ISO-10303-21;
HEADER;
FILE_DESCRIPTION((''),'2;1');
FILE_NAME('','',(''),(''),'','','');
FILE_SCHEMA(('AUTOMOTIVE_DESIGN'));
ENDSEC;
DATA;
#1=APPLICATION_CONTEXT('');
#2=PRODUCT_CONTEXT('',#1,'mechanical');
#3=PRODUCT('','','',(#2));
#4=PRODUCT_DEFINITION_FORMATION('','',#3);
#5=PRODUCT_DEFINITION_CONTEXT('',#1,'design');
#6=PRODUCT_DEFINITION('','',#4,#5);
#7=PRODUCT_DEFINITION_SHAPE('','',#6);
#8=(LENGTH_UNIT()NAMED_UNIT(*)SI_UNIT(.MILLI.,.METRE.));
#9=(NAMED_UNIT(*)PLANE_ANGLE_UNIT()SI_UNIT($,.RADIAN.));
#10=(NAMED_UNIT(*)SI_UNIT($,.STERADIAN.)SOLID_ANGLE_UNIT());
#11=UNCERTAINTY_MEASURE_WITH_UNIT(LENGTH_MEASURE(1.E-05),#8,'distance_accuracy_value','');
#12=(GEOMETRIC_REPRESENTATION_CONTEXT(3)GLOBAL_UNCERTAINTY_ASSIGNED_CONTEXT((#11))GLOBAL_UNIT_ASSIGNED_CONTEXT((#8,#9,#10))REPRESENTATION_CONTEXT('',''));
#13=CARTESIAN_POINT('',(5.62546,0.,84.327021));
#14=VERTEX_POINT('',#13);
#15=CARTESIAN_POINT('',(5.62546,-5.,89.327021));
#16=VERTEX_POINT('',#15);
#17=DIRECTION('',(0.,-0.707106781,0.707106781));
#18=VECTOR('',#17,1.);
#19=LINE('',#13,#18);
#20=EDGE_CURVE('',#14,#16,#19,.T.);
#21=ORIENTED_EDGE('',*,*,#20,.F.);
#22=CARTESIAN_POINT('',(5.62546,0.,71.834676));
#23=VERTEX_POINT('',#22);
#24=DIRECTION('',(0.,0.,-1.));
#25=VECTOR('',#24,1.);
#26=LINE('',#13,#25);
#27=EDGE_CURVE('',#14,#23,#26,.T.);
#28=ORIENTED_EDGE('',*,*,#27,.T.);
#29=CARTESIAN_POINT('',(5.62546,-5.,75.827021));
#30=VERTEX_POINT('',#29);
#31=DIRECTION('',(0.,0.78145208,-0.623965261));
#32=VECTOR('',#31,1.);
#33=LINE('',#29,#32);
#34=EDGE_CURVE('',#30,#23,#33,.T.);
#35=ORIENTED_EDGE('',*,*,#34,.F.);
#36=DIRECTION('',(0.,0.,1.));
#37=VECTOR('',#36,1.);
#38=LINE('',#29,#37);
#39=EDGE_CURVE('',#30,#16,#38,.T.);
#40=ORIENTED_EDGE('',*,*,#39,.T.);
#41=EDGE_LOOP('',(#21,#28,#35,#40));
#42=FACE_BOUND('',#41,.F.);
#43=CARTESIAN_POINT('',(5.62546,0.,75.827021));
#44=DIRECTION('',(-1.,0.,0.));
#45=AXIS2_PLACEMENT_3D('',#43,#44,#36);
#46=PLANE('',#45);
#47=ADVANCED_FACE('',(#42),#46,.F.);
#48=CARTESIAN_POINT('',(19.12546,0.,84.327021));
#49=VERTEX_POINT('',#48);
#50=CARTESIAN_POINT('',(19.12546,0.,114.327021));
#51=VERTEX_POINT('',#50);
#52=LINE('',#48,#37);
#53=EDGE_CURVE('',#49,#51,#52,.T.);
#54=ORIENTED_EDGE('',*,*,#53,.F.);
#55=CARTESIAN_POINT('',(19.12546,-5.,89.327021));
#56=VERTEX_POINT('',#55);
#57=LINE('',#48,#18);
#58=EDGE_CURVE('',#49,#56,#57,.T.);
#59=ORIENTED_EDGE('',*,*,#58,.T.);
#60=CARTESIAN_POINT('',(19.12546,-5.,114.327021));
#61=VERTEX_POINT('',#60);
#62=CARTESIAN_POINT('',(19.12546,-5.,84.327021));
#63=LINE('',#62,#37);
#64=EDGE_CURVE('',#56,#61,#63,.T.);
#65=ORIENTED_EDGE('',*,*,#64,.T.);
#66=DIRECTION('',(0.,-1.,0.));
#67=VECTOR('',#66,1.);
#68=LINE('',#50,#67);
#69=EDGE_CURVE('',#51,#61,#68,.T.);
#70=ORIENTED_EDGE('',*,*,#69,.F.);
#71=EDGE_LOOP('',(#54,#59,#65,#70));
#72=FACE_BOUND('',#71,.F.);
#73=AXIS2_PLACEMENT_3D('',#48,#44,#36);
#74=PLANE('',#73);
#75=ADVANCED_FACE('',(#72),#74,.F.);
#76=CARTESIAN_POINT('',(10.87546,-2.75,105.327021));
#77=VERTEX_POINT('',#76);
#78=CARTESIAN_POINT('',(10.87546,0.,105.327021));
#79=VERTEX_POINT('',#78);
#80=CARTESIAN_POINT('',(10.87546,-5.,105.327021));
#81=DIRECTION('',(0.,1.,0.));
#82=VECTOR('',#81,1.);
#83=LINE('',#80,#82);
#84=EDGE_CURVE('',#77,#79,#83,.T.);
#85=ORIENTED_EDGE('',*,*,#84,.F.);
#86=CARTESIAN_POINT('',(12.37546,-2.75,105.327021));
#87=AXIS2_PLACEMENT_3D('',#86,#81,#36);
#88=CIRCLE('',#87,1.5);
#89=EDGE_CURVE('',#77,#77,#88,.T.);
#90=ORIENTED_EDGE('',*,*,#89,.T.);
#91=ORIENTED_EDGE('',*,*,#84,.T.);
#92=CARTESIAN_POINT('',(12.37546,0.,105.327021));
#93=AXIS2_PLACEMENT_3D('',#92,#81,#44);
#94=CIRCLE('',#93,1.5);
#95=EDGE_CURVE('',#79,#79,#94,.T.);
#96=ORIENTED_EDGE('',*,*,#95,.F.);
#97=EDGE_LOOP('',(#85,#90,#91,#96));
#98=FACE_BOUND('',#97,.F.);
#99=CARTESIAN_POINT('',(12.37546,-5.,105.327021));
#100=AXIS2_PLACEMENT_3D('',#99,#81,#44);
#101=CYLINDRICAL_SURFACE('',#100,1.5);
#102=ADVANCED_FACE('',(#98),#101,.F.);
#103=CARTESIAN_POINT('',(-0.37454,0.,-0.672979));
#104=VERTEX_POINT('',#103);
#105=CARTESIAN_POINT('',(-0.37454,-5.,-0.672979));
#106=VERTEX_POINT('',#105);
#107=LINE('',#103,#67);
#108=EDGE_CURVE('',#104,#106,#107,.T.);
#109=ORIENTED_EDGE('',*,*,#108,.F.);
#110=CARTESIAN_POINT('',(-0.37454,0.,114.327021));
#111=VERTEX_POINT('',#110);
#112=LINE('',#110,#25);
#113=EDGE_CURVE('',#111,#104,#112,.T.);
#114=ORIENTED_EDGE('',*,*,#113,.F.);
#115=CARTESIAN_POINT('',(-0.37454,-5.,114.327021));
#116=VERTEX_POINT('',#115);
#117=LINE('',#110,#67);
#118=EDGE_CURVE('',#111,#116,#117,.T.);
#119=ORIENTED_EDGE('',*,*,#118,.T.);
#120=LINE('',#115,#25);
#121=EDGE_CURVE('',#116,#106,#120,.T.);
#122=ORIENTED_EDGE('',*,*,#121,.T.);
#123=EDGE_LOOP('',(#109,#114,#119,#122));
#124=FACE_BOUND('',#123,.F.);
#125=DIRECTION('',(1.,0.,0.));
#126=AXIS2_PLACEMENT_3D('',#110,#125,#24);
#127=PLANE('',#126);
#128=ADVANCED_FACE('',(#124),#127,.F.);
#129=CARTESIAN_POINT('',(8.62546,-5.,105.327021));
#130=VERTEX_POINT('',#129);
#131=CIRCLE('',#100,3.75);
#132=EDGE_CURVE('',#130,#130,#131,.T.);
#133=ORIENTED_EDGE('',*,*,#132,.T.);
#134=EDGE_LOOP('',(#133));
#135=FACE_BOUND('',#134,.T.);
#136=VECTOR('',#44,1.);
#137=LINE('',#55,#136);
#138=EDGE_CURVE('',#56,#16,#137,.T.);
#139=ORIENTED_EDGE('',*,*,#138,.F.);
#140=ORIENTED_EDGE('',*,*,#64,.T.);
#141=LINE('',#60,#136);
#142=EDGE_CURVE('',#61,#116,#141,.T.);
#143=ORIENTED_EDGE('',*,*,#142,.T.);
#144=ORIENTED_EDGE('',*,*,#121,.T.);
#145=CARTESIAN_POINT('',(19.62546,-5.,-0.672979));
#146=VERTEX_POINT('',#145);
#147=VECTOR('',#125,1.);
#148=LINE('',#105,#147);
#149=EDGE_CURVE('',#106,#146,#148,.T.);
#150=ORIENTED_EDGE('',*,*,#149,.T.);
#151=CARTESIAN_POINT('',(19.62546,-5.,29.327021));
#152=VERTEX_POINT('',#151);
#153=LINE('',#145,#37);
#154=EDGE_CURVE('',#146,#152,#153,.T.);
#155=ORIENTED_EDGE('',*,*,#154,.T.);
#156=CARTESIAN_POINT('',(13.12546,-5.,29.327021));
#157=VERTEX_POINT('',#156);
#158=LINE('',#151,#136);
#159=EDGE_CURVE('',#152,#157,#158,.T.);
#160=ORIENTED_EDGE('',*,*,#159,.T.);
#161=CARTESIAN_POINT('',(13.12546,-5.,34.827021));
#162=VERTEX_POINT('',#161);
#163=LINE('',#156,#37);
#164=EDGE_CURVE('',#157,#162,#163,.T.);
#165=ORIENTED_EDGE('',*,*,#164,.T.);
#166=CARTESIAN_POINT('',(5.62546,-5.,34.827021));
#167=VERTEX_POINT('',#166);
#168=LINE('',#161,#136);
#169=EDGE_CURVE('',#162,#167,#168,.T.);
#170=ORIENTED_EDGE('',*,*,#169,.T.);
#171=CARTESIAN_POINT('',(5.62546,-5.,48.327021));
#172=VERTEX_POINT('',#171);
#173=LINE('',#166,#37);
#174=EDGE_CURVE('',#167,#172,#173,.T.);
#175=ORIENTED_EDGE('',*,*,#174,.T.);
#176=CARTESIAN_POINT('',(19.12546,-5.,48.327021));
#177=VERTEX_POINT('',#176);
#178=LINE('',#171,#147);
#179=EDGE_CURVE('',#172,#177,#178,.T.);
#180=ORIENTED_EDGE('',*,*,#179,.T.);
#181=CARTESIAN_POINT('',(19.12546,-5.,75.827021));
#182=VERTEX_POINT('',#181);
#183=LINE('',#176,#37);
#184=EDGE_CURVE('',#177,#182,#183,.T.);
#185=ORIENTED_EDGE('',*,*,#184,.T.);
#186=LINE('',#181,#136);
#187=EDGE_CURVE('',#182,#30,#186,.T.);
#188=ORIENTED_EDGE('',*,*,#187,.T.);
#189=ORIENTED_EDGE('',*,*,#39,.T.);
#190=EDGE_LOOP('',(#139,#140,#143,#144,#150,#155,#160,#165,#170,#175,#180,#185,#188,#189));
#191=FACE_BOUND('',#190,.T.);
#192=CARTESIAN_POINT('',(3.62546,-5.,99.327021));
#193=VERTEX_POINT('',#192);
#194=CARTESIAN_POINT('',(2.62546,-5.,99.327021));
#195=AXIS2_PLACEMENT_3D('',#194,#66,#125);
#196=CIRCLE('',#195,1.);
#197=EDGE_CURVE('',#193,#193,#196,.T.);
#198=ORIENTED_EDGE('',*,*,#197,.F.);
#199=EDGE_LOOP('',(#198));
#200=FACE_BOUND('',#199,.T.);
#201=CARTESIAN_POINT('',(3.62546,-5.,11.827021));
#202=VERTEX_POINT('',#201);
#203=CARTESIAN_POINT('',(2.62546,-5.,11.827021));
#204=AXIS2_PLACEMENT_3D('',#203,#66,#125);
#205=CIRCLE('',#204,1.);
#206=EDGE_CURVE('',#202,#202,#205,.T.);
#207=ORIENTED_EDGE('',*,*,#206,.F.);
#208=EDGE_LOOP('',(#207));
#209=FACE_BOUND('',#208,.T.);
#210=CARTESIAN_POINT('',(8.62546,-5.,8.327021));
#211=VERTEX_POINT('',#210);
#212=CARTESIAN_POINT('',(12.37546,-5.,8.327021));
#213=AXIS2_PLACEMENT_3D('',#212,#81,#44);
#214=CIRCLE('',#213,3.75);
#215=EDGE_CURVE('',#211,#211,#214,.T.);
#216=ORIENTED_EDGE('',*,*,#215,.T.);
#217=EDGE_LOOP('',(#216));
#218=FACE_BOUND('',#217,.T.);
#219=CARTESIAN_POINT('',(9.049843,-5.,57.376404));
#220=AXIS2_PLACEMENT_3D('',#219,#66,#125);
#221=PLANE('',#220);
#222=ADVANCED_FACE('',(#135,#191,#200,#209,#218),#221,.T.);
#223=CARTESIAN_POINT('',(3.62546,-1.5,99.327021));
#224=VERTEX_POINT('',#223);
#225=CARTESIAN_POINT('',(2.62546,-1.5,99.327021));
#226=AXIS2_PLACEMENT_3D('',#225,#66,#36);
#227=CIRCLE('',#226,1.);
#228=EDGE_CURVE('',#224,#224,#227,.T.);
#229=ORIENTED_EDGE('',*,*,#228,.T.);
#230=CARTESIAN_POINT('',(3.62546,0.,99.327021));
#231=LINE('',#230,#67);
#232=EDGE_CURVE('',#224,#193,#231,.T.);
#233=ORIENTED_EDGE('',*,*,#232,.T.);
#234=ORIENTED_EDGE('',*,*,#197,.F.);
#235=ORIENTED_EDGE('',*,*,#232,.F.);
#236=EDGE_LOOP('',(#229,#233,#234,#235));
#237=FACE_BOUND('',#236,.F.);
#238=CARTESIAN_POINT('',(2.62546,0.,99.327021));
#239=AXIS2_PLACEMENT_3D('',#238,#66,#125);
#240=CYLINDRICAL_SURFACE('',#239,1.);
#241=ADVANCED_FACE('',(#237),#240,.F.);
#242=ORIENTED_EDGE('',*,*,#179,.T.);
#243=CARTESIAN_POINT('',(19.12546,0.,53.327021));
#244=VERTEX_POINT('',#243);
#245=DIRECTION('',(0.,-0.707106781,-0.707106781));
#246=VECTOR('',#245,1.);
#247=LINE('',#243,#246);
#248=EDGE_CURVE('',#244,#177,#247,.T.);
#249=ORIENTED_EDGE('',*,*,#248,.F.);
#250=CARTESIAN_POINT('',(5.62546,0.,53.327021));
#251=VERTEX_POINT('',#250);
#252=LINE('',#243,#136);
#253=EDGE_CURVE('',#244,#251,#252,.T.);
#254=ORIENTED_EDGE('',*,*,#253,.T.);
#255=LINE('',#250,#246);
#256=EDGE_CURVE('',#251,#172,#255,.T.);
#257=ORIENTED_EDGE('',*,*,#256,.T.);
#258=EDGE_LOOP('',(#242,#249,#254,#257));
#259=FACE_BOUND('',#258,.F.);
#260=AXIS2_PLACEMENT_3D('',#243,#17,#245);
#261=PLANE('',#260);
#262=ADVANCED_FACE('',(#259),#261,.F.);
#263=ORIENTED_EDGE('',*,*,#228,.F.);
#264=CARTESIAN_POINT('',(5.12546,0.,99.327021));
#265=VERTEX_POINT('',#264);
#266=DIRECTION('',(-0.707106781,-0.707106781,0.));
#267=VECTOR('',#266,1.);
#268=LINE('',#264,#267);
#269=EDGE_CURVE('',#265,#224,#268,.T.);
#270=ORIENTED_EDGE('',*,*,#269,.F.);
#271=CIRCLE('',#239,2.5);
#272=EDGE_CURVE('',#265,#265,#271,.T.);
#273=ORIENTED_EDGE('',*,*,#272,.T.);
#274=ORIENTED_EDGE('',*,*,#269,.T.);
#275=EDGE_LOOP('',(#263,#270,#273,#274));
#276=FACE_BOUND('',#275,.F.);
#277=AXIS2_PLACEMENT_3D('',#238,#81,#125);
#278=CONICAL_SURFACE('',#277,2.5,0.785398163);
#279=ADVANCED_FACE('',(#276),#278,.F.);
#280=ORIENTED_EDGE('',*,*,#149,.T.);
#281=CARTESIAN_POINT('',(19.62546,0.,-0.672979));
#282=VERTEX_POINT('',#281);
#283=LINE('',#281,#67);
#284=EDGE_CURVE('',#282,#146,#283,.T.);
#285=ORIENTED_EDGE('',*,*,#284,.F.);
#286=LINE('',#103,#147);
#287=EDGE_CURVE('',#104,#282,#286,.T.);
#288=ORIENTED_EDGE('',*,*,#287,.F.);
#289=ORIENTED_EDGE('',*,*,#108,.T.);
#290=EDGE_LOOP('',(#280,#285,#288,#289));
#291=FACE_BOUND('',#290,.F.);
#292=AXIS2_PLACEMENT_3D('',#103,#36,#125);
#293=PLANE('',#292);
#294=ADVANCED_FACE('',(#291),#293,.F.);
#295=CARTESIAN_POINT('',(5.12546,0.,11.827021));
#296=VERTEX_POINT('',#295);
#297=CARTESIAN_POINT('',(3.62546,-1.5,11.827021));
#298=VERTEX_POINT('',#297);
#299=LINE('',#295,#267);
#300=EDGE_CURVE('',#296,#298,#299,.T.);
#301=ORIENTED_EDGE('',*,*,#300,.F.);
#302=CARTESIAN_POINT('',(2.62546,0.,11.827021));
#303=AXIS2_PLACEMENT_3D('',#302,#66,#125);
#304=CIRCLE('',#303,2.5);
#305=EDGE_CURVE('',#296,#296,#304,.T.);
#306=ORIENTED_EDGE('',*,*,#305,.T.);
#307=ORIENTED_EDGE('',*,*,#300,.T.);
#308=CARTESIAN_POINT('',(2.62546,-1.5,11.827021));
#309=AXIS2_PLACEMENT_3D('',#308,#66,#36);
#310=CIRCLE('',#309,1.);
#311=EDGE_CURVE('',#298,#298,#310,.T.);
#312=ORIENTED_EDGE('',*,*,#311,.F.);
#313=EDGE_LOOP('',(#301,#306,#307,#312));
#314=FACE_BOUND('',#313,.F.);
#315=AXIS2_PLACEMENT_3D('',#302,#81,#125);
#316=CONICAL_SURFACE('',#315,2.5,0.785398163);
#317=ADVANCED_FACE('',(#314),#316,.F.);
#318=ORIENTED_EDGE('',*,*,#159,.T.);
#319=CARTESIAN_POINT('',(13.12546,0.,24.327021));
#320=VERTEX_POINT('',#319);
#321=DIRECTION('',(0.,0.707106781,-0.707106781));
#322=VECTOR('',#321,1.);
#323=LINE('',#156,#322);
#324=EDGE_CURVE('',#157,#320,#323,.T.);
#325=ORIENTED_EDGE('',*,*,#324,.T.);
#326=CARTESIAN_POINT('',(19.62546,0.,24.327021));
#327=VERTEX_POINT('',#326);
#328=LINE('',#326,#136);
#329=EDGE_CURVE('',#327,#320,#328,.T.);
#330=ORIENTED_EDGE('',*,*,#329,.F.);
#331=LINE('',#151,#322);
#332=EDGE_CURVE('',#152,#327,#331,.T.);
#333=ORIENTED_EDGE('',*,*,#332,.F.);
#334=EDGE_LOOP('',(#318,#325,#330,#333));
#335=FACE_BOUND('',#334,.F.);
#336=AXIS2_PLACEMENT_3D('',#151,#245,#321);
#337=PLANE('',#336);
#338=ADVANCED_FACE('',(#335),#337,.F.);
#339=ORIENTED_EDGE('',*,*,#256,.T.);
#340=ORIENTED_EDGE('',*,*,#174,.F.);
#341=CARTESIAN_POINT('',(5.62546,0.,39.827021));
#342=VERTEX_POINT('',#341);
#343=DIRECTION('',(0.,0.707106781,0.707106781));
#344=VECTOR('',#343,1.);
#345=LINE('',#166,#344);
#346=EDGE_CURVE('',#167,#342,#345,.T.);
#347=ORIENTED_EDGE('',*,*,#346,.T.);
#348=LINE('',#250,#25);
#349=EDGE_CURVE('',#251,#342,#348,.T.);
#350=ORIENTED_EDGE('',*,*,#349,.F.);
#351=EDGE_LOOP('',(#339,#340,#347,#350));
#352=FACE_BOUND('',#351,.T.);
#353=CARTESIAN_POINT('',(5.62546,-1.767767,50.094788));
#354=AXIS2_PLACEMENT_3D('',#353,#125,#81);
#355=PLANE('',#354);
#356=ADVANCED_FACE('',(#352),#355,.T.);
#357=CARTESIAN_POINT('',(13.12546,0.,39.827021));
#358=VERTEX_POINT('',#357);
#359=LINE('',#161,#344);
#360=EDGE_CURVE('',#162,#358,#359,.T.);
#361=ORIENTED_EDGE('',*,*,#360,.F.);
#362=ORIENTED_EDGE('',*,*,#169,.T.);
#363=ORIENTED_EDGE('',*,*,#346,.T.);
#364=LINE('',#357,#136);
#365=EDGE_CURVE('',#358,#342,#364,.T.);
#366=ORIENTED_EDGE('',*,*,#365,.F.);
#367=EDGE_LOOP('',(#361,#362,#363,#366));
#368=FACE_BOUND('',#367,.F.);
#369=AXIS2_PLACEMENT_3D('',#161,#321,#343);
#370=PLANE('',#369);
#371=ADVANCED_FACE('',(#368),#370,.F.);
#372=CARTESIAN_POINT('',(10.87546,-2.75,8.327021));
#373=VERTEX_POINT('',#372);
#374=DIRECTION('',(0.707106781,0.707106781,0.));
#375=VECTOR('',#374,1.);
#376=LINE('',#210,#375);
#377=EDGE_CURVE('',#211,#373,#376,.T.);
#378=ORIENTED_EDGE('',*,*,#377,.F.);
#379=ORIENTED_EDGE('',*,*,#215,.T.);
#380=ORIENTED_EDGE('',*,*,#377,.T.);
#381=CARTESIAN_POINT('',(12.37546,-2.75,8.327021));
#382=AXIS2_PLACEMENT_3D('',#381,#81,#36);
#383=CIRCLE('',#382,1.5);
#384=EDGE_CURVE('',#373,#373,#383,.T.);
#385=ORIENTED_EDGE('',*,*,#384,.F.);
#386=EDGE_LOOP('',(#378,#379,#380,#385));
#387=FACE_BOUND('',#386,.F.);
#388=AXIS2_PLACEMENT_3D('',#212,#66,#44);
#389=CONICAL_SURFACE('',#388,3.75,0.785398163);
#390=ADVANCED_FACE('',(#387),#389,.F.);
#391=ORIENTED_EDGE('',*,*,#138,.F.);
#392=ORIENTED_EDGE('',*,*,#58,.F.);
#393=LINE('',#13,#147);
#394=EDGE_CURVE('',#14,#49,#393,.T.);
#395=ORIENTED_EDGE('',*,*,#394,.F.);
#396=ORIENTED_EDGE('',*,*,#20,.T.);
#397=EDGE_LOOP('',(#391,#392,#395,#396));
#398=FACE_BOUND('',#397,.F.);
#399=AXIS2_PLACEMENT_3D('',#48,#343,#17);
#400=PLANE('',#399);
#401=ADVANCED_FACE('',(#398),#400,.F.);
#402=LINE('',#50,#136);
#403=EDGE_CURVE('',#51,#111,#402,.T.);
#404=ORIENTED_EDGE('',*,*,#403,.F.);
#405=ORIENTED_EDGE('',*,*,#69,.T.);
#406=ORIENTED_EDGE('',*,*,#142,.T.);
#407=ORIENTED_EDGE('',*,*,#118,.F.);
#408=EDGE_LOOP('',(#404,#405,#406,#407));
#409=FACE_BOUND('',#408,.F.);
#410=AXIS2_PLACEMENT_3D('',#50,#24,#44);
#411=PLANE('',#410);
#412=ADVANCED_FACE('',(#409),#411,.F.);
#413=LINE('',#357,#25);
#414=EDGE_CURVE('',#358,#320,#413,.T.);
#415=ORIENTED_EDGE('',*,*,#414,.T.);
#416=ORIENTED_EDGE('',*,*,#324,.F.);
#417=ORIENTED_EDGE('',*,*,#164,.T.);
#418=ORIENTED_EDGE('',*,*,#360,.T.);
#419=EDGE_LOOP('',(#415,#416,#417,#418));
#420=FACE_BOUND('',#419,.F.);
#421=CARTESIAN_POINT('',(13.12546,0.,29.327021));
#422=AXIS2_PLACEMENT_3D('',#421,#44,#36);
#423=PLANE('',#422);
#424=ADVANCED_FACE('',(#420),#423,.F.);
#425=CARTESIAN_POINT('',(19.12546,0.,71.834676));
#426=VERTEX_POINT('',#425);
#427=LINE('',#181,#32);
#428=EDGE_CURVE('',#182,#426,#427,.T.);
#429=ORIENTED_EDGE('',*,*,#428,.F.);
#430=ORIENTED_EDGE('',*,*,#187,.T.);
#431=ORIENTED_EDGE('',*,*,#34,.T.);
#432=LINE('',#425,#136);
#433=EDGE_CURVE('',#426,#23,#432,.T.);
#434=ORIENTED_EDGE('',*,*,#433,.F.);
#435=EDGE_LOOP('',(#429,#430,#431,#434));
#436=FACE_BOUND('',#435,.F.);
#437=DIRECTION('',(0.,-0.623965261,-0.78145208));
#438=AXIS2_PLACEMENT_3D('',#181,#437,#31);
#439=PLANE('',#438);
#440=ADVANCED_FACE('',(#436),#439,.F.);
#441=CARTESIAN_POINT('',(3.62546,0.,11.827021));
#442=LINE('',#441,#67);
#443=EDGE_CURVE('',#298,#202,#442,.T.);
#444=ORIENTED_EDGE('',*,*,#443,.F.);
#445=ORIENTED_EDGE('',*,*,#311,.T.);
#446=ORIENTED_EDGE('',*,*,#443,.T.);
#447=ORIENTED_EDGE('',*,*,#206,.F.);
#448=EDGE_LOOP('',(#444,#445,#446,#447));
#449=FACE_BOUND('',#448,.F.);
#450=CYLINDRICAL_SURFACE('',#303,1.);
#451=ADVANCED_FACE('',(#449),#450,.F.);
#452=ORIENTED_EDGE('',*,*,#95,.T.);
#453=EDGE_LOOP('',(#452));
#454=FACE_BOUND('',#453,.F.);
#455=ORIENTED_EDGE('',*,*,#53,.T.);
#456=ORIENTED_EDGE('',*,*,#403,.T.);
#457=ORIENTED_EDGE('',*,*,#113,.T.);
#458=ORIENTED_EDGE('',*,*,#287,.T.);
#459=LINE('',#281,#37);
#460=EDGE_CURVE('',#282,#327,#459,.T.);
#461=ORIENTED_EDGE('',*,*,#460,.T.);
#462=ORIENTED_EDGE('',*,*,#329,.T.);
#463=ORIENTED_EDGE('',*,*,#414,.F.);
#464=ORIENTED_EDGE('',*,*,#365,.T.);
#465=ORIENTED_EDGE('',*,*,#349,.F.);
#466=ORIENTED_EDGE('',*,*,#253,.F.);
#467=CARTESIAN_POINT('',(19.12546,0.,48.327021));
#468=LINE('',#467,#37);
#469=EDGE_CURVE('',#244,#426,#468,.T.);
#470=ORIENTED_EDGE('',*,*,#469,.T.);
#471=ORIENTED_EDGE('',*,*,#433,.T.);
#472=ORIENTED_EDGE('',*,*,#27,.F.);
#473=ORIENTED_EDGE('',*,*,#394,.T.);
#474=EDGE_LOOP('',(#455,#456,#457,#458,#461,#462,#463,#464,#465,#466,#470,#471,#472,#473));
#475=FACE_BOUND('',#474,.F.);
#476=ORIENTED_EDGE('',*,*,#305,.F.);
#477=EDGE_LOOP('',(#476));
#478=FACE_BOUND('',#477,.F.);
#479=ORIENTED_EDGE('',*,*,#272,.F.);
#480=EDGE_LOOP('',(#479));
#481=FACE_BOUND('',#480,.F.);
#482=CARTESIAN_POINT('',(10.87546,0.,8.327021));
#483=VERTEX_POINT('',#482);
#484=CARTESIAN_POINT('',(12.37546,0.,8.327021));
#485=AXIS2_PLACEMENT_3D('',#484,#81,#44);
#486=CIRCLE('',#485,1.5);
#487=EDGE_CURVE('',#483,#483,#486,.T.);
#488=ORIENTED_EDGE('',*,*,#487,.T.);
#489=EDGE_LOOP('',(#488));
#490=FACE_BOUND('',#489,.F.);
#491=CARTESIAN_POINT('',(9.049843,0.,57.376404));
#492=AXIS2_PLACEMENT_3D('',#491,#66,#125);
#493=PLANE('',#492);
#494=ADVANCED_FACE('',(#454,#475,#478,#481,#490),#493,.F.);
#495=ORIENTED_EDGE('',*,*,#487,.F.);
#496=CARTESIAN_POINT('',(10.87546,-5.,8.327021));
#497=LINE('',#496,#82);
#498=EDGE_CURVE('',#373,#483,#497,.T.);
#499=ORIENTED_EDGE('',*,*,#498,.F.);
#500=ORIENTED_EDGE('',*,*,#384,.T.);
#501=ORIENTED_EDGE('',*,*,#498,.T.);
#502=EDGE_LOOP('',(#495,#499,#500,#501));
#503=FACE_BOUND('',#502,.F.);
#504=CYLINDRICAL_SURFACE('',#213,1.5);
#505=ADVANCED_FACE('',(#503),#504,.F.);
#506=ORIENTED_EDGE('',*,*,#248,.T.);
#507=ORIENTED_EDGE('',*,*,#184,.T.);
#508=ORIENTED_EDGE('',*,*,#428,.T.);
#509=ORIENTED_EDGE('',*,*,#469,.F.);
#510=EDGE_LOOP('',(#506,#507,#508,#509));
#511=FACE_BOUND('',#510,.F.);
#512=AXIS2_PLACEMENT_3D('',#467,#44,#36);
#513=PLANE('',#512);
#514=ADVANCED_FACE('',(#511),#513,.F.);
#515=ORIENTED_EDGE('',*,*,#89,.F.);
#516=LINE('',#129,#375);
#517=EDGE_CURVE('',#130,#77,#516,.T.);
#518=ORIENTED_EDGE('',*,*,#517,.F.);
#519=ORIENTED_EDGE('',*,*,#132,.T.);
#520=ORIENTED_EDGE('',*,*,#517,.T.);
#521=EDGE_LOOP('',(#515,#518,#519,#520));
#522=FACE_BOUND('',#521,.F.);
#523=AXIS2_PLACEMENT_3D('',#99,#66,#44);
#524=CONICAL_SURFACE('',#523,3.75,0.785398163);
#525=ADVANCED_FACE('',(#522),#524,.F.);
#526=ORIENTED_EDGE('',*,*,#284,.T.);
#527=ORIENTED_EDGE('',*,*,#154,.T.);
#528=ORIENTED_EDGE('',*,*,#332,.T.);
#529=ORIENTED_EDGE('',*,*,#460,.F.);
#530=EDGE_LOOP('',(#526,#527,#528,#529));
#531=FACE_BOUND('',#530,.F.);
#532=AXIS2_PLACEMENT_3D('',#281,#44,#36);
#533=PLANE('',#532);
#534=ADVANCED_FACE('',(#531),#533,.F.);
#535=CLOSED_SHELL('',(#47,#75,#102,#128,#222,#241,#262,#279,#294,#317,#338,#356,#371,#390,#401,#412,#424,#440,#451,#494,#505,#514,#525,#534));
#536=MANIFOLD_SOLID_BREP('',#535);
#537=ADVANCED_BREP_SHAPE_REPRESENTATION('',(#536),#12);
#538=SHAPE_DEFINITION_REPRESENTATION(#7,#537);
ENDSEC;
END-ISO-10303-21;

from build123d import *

# Parameters (mm, degrees)
F1_DEPTH        = 5
F4_DEPTH        = 13.5
F6_DEPTH        = 7.5
F8_DEPTH        = 6.5
F10_D           = 3
F10_CSINK_D     = 7.5
F10_CSINK_ANGLE = 90
F12_D           = 2
F12_CSINK_D     = 5
F12_CSINK_ANGLE = 90


with BuildPart() as f1:
    # F0 (on Front) → F1 (new body)
    with BuildSketch(Plane.XZ):
        Polygon((19.12546, 114.327021), (-0.37454, 114.327021), (-0.37454, -0.672979), (19.62546, -0.672979), (19.62546, 29.327021), (13.12546, 29.327021), (13.12546, 39.827021), (5.62546, 39.827021), (5.62546, 48.327021), (19.12546, 48.327021), (19.12546, 75.827021), (5.62546, 75.827021), (5.62546, 84.327021), (19.12546, 84.327021), align=None)
    extrude(amount=F1_DEPTH)

    # F2 (on face) + F3 (on face) → F4 (cut)
    with BuildSketch(Plane.YZ.offset(19.12546)):
        Polygon((-5, 84.327021), (0, 84.327021), (-5, 89.327021), align=None)
    with BuildSketch(Plane.YZ.offset(19.12546)):
        Polygon((0, 75.827021), (-5, 75.827021), (0, 71.834676), align=None)
        Polygon((0, 53.327021), (-5, 48.327021), (0, 48.327021), align=None)
    extrude(amount=-F4_DEPTH, mode=Mode.SUBTRACT)

    # F5 (on face) → F6 (cut)
    with BuildSketch(Plane.YZ.offset(13.12546)):
        Polygon((-5, 34.827021), (0, 39.827021), (-5, 39.827021), align=None)
    extrude(amount=-F6_DEPTH, mode=Mode.SUBTRACT)

    # F7 (on face) → F8 (cut)
    with BuildSketch(Plane.YZ.offset(19.62546)):
        Polygon((0, 24.327021), (0, 29.327021), (-5, 29.327021), align=None)
    extrude(amount=-F8_DEPTH, mode=Mode.SUBTRACT)

    # F10 (through all)
    with Locations(Plane.XZ.offset(5)):
        with Locations((12.37546, 105.327021), (12.37546, 8.327021)):
            CounterSinkHole(F10_D / 2, F10_CSINK_D / 2, counter_sink_angle=F10_CSINK_ANGLE)

    # F12 (through all)
    with Locations(Plane(origin=(0, 0, 0), x_dir=(-1, 0, 0), z_dir=(0, 1, 0))):
        with Locations((-2.62546, 11.827021), (-2.62546, 99.327021)):
            CounterSinkHole(F12_D / 2, F12_CSINK_D / 2, counter_sink_angle=F12_CSINK_ANGLE)


solid = f1.part
